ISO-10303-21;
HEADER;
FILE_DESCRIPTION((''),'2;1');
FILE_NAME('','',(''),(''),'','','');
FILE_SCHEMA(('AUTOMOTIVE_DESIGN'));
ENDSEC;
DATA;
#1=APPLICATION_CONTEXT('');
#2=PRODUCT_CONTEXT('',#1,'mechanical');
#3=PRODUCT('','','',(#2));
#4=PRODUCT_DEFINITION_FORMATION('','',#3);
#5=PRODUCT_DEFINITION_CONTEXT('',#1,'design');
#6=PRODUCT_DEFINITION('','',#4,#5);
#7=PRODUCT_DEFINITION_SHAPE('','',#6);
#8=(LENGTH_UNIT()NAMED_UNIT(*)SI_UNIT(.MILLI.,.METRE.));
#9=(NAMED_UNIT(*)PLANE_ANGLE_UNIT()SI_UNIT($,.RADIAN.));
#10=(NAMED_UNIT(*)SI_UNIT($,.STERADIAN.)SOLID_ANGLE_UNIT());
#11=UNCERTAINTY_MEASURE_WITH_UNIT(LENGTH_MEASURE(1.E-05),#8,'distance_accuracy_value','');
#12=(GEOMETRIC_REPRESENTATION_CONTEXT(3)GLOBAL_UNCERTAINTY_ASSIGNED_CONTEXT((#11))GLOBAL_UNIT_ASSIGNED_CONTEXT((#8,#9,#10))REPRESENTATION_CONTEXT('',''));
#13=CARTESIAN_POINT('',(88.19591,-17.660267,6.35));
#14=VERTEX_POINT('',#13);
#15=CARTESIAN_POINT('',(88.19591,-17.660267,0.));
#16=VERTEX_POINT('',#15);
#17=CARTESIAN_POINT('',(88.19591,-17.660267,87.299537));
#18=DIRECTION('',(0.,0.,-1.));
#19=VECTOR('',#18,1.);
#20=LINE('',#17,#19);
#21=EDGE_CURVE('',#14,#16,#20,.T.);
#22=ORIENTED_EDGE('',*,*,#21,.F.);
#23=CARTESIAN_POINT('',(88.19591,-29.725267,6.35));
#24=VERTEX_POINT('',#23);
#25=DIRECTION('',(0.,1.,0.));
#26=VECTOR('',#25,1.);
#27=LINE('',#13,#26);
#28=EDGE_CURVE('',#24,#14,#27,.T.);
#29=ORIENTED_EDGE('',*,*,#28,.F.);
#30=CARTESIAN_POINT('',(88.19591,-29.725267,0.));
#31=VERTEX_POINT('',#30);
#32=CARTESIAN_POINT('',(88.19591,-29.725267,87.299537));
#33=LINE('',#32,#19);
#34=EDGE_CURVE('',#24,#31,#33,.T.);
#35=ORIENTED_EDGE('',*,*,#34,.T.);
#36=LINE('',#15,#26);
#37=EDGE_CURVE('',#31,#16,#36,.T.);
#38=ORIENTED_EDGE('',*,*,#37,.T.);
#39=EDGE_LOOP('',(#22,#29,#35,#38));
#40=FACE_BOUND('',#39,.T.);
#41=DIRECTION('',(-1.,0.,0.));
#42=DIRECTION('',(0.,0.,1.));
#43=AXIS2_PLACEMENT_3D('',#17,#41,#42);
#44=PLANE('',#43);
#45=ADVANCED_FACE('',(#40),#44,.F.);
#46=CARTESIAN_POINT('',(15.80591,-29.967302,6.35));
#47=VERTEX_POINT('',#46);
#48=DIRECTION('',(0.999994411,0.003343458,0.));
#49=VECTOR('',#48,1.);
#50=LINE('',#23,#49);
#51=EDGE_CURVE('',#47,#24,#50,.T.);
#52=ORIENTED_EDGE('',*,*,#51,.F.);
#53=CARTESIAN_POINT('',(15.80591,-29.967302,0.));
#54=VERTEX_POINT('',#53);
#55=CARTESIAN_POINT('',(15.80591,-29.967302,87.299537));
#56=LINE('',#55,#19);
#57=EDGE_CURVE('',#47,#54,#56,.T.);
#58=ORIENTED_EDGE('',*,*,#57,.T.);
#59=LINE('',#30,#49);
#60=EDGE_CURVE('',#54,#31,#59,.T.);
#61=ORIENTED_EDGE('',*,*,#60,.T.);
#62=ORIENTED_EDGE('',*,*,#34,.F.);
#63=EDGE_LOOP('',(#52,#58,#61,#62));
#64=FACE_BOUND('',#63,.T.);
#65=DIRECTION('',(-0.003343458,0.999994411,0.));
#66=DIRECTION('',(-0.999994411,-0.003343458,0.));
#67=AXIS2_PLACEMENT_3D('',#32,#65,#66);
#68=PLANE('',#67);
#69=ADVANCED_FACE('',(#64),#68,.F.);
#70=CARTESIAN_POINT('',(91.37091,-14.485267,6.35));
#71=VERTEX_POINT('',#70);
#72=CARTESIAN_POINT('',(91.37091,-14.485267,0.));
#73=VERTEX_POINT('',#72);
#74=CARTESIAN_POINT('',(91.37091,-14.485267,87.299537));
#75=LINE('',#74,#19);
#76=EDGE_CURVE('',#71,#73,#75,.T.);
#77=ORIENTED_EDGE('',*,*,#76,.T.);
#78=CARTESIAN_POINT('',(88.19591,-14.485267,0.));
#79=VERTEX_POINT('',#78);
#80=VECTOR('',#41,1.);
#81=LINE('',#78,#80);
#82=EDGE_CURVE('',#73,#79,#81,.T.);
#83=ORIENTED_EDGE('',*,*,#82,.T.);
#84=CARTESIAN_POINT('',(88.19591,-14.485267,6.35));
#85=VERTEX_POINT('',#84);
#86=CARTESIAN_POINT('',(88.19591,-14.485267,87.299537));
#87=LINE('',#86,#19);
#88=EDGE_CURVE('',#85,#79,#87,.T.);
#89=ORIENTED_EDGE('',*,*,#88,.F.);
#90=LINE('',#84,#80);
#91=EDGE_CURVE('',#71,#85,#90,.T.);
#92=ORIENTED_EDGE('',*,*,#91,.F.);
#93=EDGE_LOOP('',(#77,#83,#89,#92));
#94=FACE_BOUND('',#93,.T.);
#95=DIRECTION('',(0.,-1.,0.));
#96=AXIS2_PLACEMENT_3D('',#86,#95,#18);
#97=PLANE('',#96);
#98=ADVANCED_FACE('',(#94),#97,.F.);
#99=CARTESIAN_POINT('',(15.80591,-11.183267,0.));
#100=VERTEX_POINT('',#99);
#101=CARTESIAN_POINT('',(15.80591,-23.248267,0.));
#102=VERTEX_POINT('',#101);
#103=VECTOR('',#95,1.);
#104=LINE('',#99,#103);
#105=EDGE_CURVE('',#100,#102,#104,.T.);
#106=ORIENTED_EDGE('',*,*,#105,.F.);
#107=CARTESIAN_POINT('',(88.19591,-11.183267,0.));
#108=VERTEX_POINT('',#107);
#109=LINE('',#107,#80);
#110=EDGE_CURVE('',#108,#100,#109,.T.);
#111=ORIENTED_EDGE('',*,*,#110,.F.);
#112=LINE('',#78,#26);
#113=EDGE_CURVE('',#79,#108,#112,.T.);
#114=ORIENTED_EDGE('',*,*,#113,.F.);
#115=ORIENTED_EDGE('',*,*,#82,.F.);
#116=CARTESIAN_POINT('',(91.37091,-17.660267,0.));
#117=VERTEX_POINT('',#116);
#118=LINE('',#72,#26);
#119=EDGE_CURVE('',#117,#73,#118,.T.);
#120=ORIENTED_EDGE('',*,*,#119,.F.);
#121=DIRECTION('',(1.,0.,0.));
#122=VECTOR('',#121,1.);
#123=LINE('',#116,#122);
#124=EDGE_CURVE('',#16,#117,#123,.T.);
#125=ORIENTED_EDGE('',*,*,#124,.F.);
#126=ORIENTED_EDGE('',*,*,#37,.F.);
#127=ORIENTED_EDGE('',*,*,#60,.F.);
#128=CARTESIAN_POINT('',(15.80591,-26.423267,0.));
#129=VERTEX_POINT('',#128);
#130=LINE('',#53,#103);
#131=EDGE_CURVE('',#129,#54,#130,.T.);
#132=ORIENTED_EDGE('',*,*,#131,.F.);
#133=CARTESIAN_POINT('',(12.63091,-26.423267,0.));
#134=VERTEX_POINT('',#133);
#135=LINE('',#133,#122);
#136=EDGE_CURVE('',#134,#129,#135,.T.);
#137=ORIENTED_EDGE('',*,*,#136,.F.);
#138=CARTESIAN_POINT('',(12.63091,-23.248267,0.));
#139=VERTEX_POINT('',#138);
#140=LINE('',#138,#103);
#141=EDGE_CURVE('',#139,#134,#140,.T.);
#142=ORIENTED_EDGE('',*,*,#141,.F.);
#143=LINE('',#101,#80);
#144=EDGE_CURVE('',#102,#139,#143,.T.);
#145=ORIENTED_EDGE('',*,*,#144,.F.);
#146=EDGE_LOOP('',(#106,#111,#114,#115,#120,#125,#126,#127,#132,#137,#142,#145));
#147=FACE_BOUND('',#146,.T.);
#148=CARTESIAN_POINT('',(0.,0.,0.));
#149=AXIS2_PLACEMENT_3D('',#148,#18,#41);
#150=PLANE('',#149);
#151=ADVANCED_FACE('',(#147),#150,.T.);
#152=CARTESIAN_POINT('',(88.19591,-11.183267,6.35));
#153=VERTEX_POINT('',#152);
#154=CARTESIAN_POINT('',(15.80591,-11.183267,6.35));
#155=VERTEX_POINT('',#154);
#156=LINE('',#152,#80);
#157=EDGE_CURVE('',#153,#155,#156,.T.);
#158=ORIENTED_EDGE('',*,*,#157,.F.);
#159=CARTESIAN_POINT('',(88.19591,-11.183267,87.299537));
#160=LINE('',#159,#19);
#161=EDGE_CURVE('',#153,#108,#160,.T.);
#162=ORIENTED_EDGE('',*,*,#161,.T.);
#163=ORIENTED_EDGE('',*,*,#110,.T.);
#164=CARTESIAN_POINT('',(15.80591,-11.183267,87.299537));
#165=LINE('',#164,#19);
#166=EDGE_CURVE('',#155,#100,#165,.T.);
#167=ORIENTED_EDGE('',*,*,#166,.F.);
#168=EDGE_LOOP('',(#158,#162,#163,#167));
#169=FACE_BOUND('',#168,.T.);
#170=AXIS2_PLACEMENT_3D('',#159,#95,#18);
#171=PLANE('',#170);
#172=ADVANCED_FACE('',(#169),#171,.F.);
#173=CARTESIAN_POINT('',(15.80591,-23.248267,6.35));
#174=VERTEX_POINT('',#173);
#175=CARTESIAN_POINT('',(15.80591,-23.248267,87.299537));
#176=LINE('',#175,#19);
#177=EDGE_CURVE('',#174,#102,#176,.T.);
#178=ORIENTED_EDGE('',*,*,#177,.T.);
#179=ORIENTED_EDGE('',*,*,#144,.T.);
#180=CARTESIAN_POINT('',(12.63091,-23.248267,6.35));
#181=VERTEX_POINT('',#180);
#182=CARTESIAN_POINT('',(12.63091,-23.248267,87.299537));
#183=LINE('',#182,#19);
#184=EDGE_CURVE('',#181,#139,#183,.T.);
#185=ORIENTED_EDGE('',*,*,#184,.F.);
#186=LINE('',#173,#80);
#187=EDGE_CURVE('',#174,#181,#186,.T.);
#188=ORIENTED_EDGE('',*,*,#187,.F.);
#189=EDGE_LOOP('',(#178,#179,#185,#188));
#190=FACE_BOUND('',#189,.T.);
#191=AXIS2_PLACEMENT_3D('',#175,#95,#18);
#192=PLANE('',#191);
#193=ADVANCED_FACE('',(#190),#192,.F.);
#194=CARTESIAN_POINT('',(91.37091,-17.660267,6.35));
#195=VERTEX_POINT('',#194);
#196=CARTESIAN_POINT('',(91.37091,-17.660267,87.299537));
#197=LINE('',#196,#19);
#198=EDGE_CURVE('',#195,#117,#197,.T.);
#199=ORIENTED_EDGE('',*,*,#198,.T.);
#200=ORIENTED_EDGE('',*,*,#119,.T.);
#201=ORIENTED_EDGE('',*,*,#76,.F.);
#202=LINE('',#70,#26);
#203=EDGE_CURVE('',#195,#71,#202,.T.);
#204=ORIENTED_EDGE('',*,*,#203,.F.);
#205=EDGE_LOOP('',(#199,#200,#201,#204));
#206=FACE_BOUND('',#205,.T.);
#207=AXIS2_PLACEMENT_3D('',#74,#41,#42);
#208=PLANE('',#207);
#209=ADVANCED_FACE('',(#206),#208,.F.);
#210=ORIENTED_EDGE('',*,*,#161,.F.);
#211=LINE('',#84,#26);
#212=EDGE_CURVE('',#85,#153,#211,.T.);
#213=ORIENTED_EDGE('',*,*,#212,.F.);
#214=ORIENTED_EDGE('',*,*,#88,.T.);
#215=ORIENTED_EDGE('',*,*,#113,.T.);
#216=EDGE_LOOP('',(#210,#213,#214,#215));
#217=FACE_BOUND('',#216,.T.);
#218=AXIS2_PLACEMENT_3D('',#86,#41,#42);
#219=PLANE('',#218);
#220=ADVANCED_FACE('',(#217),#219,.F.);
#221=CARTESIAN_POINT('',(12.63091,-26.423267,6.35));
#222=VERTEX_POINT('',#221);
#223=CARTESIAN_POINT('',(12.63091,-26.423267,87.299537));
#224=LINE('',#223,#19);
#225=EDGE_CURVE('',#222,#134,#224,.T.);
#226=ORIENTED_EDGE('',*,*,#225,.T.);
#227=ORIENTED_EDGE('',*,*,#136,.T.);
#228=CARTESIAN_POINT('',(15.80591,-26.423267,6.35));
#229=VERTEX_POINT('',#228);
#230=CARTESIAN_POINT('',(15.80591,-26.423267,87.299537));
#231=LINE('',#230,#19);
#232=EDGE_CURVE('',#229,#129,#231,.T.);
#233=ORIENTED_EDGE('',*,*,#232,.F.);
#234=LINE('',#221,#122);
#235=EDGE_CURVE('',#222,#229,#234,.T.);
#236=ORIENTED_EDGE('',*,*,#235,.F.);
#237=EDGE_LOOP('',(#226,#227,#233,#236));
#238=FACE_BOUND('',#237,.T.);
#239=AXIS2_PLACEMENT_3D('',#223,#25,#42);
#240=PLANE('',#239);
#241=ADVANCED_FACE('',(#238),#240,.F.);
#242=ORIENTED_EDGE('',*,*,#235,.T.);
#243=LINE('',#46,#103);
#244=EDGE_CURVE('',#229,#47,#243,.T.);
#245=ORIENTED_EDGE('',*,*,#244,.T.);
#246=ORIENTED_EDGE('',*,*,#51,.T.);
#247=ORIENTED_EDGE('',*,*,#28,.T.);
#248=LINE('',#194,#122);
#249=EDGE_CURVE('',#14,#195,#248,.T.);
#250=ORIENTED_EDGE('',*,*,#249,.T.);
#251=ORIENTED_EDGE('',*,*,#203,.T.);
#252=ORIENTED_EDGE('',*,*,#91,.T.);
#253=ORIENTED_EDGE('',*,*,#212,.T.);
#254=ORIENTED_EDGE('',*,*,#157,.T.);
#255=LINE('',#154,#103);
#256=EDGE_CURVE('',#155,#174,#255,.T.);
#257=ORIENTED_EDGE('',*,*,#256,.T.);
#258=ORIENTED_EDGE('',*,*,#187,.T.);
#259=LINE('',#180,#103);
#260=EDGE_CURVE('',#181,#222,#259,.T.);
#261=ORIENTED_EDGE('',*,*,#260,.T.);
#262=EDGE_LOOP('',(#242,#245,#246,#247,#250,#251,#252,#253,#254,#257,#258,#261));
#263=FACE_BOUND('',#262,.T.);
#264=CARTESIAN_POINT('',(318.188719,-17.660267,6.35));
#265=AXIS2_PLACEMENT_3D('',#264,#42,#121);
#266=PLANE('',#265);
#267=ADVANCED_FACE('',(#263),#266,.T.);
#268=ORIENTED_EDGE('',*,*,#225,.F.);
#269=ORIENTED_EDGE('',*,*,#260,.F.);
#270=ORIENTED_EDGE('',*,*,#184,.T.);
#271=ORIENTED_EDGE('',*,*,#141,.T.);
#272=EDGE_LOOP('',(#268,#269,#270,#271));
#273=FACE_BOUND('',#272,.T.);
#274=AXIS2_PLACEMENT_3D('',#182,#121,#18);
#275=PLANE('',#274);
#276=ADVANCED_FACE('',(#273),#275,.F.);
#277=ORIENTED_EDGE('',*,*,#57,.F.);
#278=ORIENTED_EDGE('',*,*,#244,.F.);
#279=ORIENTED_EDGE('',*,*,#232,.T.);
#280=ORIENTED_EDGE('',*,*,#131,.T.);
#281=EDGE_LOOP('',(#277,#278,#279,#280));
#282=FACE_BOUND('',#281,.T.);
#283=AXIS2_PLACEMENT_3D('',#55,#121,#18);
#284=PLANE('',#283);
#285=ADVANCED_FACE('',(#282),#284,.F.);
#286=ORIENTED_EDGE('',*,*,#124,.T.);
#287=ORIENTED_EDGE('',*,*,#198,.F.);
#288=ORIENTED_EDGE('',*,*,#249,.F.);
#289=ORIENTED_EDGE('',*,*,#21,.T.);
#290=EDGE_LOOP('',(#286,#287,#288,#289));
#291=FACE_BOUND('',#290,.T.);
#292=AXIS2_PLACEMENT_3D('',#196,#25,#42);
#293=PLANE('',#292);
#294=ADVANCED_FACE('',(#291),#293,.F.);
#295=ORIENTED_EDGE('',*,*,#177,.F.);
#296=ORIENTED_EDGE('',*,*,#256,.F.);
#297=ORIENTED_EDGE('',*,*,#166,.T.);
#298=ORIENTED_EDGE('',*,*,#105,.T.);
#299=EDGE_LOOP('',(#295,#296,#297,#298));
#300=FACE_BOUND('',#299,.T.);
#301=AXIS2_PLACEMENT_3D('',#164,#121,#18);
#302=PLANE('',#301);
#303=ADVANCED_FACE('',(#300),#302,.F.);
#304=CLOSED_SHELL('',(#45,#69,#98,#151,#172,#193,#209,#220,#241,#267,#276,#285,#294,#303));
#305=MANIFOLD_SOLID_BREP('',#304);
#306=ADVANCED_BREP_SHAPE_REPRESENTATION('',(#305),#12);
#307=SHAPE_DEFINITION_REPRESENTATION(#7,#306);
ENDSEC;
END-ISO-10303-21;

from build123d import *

# Parameters (mm, degrees)
BOSS_EXTRUDE1_DEPTH = 6.35


with BuildPart() as part:
    # Sketch1 → Boss-Extrude1 (new body)
    with BuildSketch(Plane.XY):
        Polygon((15.805910266, -23.248267498), (12.630910266, -23.248267498), (12.630910266, -26.423267498), (15.805910266, -26.423267498), (15.805910266, -29.967301746), (88.195910266, -29.725267498), (88.195910266, -23.248267498), (88.195910266, -17.660267498), (91.370910266, -17.660267498), (91.370910266, -14.485267498), (88.195910266, -14.485267498), (88.195910266, -11.183267498), (15.805910266, -11.183267498), align=None)
    extrude(amount=BOSS_EXTRUDE1_DEPTH)


solid = part.part
